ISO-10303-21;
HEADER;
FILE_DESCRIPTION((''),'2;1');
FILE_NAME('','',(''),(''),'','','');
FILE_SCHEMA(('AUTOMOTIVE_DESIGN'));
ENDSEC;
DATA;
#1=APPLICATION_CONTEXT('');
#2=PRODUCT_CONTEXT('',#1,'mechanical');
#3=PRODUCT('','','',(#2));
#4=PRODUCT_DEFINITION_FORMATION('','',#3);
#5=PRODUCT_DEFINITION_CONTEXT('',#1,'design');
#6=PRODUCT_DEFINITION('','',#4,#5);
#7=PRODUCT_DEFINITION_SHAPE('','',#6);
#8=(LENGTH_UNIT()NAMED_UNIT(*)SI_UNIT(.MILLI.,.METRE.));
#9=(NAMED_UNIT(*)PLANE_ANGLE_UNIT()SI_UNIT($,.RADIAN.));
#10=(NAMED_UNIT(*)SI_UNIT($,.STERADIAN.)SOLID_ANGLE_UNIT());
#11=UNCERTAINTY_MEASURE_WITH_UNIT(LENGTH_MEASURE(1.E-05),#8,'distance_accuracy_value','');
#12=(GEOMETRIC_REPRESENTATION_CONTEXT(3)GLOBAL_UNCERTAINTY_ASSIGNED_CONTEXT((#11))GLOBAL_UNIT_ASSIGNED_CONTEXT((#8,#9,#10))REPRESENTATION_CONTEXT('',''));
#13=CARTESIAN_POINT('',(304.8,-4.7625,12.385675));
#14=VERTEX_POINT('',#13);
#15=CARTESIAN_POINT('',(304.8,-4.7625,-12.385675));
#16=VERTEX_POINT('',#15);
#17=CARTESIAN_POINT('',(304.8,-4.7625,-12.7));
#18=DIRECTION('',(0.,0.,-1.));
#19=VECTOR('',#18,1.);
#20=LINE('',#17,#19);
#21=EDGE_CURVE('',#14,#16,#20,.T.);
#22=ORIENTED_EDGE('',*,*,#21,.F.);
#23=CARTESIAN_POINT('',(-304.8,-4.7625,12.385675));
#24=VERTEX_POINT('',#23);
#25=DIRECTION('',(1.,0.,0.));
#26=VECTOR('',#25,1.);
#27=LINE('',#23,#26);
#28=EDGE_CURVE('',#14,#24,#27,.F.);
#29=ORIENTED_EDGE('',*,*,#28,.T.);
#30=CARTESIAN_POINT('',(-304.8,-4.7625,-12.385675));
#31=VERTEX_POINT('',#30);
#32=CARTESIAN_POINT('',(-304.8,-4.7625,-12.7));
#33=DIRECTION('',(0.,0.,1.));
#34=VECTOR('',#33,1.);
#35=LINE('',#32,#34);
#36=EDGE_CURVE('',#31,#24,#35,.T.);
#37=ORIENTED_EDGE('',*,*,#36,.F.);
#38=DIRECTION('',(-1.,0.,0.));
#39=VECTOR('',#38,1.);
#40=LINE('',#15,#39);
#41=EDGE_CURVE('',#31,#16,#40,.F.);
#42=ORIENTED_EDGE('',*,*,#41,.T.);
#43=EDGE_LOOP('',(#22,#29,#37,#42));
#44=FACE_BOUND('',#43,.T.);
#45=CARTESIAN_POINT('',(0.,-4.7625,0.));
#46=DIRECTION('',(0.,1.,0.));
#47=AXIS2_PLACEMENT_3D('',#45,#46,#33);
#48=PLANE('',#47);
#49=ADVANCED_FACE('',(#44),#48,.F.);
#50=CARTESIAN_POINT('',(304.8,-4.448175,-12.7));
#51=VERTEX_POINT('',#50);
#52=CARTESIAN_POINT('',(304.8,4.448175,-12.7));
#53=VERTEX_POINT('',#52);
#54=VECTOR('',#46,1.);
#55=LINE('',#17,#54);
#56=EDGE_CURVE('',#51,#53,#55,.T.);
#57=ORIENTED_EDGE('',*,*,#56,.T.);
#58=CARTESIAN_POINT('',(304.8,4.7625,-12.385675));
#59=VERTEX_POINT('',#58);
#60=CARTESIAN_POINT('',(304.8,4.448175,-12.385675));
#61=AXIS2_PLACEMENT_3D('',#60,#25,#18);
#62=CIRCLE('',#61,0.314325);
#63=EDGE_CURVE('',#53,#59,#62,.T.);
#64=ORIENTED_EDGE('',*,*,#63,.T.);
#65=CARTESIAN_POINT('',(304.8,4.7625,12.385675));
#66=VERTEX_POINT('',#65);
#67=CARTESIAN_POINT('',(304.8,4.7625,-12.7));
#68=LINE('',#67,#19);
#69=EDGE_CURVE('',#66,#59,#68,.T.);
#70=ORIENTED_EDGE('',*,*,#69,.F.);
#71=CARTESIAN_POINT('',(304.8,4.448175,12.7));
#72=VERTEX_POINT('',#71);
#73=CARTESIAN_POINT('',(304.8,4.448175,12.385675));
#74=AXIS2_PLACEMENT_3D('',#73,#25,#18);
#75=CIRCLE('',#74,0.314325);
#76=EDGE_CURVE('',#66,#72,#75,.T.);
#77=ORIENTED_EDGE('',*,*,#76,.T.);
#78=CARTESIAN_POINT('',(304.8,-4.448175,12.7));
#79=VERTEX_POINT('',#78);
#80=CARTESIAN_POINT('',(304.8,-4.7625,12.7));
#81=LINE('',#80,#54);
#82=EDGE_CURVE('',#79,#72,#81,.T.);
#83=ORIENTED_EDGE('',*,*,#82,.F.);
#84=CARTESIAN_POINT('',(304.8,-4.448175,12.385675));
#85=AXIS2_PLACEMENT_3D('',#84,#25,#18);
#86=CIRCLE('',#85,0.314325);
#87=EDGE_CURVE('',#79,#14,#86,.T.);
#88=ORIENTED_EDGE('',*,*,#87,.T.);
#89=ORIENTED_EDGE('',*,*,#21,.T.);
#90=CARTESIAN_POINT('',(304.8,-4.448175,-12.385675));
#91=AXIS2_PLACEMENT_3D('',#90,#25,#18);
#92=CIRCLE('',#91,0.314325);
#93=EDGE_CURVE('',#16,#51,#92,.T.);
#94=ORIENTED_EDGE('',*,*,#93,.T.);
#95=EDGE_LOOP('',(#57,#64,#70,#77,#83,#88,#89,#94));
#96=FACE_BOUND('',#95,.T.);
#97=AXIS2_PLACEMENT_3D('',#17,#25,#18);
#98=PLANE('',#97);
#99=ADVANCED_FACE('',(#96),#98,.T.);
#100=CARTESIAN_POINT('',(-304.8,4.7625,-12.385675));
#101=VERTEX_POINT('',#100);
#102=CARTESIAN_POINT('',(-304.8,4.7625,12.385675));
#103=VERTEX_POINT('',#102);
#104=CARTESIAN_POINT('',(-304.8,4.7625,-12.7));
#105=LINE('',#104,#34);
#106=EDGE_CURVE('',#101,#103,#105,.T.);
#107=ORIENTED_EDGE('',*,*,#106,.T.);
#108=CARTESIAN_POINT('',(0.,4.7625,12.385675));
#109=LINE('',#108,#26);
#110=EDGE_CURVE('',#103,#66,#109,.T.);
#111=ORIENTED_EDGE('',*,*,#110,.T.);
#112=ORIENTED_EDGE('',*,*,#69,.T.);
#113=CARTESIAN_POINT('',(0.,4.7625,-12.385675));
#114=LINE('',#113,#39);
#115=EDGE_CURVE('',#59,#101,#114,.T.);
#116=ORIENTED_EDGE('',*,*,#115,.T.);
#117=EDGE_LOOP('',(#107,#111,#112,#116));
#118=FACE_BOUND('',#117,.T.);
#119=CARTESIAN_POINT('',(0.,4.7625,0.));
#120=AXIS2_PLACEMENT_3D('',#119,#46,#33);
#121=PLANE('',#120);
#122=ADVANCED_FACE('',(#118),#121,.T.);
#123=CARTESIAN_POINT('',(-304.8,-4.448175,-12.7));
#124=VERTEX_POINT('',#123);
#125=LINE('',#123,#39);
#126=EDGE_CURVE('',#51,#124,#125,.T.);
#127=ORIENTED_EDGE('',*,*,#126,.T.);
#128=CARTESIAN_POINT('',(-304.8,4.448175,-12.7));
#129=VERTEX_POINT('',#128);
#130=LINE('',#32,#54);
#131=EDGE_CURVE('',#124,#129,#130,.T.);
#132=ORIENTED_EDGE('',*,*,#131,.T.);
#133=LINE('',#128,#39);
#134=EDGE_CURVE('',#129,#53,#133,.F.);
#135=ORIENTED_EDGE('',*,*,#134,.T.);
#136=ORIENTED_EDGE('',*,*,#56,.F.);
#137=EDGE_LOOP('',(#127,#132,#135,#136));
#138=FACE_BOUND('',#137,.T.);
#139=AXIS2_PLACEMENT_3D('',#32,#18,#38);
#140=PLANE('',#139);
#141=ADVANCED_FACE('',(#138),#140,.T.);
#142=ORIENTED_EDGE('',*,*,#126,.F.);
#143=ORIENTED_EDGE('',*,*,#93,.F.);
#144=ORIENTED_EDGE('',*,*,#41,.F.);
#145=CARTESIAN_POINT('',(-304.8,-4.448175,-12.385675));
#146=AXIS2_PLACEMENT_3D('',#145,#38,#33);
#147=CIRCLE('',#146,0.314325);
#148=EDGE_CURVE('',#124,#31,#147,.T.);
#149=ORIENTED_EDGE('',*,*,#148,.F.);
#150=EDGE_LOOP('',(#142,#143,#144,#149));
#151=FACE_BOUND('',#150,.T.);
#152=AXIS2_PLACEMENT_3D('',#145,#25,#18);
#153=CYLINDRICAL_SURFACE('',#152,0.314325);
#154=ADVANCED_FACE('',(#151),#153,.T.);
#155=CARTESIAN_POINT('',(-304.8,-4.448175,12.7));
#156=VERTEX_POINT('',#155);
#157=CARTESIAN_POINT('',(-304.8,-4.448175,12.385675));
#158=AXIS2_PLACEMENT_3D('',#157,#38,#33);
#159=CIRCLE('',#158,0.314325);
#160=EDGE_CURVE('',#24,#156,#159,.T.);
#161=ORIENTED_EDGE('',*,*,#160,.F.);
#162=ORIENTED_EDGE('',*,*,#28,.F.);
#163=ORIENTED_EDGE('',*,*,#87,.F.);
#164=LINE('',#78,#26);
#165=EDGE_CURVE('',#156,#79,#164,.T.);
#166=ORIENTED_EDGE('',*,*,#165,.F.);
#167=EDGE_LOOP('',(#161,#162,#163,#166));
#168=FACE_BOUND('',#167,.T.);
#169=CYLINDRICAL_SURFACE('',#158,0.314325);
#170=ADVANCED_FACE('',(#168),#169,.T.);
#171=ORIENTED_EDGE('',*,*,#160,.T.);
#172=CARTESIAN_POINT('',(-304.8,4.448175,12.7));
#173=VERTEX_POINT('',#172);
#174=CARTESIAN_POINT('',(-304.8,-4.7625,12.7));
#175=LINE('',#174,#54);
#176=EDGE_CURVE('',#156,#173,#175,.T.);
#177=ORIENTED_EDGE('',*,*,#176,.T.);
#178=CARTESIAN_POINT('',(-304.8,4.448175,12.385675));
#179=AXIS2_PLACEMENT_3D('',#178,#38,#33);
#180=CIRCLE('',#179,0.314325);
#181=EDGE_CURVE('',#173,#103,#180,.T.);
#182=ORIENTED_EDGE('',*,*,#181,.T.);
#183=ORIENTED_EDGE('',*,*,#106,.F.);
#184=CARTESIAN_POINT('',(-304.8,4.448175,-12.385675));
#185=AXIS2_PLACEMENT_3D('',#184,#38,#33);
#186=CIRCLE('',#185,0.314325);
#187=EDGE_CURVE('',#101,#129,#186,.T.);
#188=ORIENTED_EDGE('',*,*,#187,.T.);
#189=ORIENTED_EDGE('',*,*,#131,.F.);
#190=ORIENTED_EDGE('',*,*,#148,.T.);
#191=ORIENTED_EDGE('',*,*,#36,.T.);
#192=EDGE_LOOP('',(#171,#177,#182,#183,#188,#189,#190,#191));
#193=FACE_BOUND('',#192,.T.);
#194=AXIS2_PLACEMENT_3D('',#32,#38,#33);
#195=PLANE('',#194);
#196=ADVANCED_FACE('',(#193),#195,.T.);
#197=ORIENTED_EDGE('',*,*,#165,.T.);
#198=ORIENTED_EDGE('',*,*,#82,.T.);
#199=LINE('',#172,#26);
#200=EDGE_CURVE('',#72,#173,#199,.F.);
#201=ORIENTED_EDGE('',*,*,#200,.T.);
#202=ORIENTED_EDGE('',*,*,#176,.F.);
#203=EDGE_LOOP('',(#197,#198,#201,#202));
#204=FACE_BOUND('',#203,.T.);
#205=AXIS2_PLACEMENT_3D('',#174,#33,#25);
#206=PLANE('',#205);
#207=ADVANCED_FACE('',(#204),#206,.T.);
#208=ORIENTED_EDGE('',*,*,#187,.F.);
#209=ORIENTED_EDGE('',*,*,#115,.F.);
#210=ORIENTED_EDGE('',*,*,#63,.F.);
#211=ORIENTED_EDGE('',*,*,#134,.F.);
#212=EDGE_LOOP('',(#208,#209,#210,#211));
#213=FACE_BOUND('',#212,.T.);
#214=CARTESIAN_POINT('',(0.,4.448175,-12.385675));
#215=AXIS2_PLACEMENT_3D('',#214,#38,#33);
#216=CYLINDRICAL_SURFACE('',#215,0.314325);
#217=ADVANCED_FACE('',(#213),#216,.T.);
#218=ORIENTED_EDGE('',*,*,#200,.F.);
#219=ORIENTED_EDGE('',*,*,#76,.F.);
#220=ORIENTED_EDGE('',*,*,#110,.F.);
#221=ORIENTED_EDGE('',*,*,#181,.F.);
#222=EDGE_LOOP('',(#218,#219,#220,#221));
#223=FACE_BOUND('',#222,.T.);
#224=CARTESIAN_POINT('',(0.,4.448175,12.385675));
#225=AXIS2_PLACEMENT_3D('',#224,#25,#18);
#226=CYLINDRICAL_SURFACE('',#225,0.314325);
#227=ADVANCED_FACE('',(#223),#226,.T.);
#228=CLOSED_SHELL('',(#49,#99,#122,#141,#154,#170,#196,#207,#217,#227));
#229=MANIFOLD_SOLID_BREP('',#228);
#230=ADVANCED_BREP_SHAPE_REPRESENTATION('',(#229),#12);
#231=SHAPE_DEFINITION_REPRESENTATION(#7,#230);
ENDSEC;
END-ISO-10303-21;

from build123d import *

# Parameters (mm, degrees)
BOSS_EXTRUDE1_DEPTH      = 4.7625
BOSS_EXTRUDE1_DEPTH_BACK = 4.7625
SKETCH3_W                = 609.6
SKETCH3_H                = 25.4
FILLET1_R                = 0.314325


with BuildPart() as part:
    # Sketch3 → Boss-Extrude1 (new, two sides: drawn at the far end of the back side and taken through both)
    with BuildSketch(Plane(origin=(0, 0, 0), x_dir=(1, 0, 0), z_dir=(0, 1, 0)).offset(-BOSS_EXTRUDE1_DEPTH_BACK)):
        Rectangle(SKETCH3_W, SKETCH3_H)
    extrude(amount=BOSS_EXTRUDE1_DEPTH + BOSS_EXTRUDE1_DEPTH_BACK)

    # Fillet1
    fillet1_edges = [part.edges().sort_by_distance(p)[0] for p in [
        (0, 4.7625, 12.7),
        (0, -4.7625, -12.7),
        (0, 4.7625, -12.7),
        (0, -4.7625, 12.7),
    ]]
    fillet(fillet1_edges, radius=FILLET1_R)


solid = part.part
